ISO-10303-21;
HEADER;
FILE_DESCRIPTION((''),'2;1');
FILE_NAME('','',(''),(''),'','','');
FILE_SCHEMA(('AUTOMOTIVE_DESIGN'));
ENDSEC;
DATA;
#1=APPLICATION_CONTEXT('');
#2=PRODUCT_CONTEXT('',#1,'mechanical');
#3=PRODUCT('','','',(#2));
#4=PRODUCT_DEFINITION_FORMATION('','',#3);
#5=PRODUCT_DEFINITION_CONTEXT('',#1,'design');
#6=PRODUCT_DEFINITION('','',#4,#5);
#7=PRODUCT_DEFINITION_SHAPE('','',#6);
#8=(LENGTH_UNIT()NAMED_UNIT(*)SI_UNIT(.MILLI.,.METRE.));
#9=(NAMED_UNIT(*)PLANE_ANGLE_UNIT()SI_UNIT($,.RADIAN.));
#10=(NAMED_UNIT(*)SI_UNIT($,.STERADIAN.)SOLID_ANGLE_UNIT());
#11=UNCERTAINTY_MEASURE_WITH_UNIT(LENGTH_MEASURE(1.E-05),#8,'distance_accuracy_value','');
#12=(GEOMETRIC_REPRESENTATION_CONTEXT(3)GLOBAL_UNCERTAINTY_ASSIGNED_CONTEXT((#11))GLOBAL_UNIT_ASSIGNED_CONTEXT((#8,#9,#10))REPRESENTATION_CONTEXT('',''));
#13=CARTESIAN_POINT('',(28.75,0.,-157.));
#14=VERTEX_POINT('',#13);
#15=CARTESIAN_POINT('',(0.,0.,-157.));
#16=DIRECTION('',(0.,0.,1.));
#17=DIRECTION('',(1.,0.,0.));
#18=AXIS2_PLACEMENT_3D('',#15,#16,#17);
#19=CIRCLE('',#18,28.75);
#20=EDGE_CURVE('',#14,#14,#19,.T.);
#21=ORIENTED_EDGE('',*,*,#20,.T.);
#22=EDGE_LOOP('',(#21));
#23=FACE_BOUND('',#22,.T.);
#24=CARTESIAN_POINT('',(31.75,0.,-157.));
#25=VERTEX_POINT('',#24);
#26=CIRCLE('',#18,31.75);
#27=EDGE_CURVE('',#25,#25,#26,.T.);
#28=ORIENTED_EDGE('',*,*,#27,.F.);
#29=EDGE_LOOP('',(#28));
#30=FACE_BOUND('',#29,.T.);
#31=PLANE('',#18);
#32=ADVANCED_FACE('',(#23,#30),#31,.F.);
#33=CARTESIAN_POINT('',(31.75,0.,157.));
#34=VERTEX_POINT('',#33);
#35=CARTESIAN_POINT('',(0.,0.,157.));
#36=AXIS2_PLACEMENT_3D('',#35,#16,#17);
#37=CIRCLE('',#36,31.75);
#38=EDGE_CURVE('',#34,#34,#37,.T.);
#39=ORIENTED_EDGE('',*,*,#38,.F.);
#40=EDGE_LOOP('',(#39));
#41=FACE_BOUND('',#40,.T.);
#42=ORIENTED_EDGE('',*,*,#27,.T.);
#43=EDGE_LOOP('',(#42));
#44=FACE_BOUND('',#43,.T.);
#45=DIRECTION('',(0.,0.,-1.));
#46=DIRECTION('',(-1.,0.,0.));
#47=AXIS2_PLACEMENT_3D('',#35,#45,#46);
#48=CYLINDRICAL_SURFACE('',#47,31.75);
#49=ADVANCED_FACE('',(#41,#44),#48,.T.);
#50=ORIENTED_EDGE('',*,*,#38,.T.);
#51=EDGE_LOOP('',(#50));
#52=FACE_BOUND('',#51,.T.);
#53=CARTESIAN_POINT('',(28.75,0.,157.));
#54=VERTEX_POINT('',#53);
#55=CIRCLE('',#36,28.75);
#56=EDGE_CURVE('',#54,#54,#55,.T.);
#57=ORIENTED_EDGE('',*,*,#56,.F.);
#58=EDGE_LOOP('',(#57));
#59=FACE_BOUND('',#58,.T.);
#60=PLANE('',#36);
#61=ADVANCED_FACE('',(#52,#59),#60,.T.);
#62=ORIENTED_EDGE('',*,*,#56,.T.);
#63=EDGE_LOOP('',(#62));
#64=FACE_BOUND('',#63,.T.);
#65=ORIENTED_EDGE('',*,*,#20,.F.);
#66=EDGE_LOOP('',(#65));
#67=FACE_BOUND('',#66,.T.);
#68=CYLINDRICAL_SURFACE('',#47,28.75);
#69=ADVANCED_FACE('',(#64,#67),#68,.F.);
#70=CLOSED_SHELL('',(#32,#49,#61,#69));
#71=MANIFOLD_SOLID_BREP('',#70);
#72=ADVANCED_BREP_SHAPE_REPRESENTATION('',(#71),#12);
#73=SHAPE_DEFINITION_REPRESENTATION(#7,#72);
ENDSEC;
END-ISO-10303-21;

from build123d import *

# Parameters (mm, degrees)
SKETCH_1_R      = 31.75
SKETCH_1_R_2    = 28.75
EXTRUDE_1_DEPTH = 157


with BuildPart() as part:
    # Эскиз1 → Бобышка-Вытянуть1 (new, symmetric)
    with BuildSketch(Plane.XY):
        Circle(SKETCH_1_R)
        Circle(SKETCH_1_R_2, mode=Mode.SUBTRACT)
    extrude(amount=EXTRUDE_1_DEPTH, both=True)


solid = part.part
